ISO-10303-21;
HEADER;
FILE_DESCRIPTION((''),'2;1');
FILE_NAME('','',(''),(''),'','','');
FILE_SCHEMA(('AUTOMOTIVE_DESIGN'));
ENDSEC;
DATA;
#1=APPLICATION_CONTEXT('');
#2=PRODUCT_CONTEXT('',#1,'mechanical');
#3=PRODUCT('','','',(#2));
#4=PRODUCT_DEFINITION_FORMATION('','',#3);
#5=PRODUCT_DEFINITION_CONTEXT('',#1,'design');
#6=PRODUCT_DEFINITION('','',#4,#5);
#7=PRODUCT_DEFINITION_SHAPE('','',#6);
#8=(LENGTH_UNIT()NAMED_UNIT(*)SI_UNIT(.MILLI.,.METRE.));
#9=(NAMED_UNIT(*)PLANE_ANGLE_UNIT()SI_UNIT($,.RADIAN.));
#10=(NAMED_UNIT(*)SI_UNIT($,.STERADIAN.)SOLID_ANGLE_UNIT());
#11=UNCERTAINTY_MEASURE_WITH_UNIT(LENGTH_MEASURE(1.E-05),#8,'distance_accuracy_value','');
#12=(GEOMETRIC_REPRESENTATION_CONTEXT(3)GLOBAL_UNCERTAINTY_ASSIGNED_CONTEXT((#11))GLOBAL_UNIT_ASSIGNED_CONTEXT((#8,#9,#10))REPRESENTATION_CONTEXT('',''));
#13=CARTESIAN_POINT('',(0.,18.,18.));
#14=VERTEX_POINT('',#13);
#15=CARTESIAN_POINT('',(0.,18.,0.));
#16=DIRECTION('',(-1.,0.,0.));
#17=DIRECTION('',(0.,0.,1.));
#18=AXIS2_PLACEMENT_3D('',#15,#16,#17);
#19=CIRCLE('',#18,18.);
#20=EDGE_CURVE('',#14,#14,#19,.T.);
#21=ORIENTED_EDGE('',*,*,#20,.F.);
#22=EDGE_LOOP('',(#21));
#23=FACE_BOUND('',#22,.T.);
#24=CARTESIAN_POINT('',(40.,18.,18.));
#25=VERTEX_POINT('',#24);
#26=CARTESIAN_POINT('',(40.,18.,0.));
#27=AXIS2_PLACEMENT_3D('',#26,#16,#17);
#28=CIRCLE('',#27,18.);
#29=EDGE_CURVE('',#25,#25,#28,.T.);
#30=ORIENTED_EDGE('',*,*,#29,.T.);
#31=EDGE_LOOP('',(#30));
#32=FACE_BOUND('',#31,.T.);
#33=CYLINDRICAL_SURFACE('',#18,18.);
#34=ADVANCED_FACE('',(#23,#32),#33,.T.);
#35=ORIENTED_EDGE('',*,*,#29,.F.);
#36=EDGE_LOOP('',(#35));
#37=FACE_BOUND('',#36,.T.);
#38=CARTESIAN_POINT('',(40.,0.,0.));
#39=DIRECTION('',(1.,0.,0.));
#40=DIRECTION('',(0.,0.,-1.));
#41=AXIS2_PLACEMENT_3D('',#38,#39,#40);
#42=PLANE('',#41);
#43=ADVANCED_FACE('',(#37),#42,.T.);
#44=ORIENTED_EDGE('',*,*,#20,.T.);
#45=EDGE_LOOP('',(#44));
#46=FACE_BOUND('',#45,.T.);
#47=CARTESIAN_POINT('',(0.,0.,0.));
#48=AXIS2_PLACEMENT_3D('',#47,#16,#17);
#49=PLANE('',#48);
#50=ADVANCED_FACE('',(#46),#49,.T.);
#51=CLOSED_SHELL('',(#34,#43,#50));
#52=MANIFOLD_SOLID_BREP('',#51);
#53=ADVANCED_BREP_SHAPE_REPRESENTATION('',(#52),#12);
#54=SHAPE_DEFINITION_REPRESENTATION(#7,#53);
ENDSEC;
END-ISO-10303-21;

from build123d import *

# Parameters (mm, degrees)
SCHIZZO1_W = 40
SCHIZZO1_H = 18


with BuildPart() as part:
    # Schizzo1 → Rivoluzione1 (revolve)
    with BuildSketch(Plane.XY):
        with Locations((20, 9)):
            Rectangle(SCHIZZO1_W, SCHIZZO1_H)
    revolve(axis=Axis((0, 18, 0), (1, 0, 0)))


solid = part.part
